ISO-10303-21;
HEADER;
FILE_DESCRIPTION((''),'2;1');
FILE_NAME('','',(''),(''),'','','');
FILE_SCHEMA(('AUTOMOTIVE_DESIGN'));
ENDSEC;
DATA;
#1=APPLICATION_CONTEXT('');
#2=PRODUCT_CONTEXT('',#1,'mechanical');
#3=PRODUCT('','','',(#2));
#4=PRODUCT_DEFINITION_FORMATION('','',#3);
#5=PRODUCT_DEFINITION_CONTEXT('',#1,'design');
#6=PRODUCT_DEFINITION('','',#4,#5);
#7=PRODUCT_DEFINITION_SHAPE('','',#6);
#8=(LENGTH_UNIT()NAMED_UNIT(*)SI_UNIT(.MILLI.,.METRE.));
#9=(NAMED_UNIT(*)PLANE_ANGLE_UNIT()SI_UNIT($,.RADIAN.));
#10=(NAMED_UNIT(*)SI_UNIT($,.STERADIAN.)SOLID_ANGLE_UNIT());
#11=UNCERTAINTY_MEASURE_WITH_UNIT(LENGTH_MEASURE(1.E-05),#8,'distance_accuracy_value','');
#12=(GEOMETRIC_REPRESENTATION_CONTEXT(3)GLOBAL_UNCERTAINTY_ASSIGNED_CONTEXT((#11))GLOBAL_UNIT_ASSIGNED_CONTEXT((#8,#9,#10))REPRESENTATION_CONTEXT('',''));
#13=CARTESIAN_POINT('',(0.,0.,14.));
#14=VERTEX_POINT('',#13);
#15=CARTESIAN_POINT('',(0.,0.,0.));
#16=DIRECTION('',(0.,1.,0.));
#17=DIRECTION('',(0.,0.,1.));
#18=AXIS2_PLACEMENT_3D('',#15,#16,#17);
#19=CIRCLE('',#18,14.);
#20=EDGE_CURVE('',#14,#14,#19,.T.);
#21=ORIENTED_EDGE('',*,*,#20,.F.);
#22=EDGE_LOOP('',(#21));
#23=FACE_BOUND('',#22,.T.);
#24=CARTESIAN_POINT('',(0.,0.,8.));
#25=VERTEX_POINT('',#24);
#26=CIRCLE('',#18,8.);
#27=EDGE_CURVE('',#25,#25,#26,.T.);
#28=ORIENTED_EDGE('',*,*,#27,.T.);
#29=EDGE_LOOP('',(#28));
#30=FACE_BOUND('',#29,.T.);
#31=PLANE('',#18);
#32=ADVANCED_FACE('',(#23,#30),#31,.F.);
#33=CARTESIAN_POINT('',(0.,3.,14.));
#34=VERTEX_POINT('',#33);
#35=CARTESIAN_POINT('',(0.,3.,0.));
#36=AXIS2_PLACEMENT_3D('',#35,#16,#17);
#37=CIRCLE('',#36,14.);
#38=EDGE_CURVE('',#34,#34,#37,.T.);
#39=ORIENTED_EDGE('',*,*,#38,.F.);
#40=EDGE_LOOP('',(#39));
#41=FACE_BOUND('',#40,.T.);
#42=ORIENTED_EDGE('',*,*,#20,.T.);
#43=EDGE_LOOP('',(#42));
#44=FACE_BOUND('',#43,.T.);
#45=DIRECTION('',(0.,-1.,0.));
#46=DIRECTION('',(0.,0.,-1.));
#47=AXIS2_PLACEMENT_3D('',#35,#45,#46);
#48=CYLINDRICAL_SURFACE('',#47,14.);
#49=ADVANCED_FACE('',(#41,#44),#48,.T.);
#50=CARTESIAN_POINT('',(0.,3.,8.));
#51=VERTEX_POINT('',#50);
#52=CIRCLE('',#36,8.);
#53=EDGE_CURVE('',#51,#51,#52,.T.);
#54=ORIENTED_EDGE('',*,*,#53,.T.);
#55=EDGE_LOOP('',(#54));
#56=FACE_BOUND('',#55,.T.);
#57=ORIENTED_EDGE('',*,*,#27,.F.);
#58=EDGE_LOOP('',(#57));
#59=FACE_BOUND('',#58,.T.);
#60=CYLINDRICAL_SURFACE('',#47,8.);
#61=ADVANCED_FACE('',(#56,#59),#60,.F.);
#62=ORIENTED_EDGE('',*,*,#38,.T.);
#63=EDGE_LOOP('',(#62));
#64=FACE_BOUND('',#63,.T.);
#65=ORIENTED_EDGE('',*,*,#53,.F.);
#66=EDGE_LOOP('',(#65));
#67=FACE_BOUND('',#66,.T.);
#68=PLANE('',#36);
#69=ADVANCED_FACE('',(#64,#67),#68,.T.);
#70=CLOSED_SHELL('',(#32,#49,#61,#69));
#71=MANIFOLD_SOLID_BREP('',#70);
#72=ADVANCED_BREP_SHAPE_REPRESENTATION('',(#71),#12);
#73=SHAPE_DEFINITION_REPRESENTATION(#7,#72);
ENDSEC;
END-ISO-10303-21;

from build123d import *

# Parameters (mm, degrees)
CROQUIS1_R              = 14
CROQUIS1_R_2            = 8
SALIENTE_EXTRUIR1_DEPTH = 3


with BuildPart() as part:
    # Croquis1 → Saliente-Extruir1 (new body)
    with BuildSketch(Plane(origin=(0, 0, 0), x_dir=(1, 0, 0), z_dir=(0, 1, 0))):
        Circle(CROQUIS1_R)
        Circle(CROQUIS1_R_2, mode=Mode.SUBTRACT)
    extrude(amount=SALIENTE_EXTRUIR1_DEPTH)


solid = part.part
